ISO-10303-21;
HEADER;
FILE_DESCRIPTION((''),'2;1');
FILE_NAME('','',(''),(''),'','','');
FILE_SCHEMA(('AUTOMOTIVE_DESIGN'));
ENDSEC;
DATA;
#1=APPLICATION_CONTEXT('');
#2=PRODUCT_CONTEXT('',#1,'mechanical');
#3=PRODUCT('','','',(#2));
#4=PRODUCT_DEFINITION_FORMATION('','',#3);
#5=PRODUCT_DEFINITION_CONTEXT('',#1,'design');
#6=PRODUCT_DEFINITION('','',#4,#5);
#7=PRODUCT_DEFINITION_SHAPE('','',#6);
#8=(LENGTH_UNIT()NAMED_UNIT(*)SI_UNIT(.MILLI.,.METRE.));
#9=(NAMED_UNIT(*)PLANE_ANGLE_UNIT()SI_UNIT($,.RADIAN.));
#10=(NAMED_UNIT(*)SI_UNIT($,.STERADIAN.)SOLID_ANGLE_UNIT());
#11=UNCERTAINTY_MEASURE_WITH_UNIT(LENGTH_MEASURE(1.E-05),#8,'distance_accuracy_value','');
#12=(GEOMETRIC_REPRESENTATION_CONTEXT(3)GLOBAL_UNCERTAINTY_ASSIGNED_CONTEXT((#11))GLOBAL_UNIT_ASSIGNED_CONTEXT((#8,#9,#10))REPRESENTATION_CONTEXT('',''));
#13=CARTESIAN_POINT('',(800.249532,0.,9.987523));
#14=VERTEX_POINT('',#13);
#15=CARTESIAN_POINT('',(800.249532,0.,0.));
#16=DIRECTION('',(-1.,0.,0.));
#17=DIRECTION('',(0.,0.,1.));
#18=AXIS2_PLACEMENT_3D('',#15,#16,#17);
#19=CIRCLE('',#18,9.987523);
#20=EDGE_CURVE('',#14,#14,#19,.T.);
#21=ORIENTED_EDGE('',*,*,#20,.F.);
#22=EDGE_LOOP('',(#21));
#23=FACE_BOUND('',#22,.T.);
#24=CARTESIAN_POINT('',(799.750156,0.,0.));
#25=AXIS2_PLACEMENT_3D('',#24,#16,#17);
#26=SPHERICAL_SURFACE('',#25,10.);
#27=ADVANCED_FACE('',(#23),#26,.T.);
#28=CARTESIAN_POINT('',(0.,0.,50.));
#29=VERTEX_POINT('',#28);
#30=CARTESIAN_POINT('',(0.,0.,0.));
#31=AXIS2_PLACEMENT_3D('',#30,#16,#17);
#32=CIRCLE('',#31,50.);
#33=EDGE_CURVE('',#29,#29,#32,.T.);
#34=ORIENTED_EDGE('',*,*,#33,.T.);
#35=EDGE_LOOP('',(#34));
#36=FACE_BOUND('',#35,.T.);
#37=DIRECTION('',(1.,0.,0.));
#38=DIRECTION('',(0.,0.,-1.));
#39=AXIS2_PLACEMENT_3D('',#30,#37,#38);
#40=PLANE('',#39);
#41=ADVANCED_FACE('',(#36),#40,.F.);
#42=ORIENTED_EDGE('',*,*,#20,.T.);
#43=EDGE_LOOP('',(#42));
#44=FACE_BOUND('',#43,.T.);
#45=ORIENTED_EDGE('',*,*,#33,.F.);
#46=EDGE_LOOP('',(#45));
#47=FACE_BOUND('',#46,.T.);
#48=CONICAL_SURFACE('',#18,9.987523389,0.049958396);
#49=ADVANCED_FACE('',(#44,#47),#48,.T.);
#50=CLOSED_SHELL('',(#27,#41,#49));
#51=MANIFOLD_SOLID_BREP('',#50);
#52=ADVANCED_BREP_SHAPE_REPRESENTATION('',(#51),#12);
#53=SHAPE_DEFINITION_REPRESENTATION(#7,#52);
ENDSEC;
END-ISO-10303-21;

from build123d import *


with BuildPart() as part:
    # Sketch1 → Revolve2 (revolve)
    with BuildSketch(Plane(origin=(0, 0, 0), x_dir=(1, 0, 0), z_dir=(0, 1, 0))):
        with BuildLine():
            Line((0, 0), (0, 50))
            Line((0, 50), (800.249532224, 9.987523389))
            ThreePointArc((800.249532224, 9.987523389), (806.995629183, 6.892250659), (809.750156055, 0))
            Line((809.750156055, 0), (0, 0))
        make_face()
    revolve(axis=Axis((0, 0, 0), (1, 0, 0)))


solid = part.part
